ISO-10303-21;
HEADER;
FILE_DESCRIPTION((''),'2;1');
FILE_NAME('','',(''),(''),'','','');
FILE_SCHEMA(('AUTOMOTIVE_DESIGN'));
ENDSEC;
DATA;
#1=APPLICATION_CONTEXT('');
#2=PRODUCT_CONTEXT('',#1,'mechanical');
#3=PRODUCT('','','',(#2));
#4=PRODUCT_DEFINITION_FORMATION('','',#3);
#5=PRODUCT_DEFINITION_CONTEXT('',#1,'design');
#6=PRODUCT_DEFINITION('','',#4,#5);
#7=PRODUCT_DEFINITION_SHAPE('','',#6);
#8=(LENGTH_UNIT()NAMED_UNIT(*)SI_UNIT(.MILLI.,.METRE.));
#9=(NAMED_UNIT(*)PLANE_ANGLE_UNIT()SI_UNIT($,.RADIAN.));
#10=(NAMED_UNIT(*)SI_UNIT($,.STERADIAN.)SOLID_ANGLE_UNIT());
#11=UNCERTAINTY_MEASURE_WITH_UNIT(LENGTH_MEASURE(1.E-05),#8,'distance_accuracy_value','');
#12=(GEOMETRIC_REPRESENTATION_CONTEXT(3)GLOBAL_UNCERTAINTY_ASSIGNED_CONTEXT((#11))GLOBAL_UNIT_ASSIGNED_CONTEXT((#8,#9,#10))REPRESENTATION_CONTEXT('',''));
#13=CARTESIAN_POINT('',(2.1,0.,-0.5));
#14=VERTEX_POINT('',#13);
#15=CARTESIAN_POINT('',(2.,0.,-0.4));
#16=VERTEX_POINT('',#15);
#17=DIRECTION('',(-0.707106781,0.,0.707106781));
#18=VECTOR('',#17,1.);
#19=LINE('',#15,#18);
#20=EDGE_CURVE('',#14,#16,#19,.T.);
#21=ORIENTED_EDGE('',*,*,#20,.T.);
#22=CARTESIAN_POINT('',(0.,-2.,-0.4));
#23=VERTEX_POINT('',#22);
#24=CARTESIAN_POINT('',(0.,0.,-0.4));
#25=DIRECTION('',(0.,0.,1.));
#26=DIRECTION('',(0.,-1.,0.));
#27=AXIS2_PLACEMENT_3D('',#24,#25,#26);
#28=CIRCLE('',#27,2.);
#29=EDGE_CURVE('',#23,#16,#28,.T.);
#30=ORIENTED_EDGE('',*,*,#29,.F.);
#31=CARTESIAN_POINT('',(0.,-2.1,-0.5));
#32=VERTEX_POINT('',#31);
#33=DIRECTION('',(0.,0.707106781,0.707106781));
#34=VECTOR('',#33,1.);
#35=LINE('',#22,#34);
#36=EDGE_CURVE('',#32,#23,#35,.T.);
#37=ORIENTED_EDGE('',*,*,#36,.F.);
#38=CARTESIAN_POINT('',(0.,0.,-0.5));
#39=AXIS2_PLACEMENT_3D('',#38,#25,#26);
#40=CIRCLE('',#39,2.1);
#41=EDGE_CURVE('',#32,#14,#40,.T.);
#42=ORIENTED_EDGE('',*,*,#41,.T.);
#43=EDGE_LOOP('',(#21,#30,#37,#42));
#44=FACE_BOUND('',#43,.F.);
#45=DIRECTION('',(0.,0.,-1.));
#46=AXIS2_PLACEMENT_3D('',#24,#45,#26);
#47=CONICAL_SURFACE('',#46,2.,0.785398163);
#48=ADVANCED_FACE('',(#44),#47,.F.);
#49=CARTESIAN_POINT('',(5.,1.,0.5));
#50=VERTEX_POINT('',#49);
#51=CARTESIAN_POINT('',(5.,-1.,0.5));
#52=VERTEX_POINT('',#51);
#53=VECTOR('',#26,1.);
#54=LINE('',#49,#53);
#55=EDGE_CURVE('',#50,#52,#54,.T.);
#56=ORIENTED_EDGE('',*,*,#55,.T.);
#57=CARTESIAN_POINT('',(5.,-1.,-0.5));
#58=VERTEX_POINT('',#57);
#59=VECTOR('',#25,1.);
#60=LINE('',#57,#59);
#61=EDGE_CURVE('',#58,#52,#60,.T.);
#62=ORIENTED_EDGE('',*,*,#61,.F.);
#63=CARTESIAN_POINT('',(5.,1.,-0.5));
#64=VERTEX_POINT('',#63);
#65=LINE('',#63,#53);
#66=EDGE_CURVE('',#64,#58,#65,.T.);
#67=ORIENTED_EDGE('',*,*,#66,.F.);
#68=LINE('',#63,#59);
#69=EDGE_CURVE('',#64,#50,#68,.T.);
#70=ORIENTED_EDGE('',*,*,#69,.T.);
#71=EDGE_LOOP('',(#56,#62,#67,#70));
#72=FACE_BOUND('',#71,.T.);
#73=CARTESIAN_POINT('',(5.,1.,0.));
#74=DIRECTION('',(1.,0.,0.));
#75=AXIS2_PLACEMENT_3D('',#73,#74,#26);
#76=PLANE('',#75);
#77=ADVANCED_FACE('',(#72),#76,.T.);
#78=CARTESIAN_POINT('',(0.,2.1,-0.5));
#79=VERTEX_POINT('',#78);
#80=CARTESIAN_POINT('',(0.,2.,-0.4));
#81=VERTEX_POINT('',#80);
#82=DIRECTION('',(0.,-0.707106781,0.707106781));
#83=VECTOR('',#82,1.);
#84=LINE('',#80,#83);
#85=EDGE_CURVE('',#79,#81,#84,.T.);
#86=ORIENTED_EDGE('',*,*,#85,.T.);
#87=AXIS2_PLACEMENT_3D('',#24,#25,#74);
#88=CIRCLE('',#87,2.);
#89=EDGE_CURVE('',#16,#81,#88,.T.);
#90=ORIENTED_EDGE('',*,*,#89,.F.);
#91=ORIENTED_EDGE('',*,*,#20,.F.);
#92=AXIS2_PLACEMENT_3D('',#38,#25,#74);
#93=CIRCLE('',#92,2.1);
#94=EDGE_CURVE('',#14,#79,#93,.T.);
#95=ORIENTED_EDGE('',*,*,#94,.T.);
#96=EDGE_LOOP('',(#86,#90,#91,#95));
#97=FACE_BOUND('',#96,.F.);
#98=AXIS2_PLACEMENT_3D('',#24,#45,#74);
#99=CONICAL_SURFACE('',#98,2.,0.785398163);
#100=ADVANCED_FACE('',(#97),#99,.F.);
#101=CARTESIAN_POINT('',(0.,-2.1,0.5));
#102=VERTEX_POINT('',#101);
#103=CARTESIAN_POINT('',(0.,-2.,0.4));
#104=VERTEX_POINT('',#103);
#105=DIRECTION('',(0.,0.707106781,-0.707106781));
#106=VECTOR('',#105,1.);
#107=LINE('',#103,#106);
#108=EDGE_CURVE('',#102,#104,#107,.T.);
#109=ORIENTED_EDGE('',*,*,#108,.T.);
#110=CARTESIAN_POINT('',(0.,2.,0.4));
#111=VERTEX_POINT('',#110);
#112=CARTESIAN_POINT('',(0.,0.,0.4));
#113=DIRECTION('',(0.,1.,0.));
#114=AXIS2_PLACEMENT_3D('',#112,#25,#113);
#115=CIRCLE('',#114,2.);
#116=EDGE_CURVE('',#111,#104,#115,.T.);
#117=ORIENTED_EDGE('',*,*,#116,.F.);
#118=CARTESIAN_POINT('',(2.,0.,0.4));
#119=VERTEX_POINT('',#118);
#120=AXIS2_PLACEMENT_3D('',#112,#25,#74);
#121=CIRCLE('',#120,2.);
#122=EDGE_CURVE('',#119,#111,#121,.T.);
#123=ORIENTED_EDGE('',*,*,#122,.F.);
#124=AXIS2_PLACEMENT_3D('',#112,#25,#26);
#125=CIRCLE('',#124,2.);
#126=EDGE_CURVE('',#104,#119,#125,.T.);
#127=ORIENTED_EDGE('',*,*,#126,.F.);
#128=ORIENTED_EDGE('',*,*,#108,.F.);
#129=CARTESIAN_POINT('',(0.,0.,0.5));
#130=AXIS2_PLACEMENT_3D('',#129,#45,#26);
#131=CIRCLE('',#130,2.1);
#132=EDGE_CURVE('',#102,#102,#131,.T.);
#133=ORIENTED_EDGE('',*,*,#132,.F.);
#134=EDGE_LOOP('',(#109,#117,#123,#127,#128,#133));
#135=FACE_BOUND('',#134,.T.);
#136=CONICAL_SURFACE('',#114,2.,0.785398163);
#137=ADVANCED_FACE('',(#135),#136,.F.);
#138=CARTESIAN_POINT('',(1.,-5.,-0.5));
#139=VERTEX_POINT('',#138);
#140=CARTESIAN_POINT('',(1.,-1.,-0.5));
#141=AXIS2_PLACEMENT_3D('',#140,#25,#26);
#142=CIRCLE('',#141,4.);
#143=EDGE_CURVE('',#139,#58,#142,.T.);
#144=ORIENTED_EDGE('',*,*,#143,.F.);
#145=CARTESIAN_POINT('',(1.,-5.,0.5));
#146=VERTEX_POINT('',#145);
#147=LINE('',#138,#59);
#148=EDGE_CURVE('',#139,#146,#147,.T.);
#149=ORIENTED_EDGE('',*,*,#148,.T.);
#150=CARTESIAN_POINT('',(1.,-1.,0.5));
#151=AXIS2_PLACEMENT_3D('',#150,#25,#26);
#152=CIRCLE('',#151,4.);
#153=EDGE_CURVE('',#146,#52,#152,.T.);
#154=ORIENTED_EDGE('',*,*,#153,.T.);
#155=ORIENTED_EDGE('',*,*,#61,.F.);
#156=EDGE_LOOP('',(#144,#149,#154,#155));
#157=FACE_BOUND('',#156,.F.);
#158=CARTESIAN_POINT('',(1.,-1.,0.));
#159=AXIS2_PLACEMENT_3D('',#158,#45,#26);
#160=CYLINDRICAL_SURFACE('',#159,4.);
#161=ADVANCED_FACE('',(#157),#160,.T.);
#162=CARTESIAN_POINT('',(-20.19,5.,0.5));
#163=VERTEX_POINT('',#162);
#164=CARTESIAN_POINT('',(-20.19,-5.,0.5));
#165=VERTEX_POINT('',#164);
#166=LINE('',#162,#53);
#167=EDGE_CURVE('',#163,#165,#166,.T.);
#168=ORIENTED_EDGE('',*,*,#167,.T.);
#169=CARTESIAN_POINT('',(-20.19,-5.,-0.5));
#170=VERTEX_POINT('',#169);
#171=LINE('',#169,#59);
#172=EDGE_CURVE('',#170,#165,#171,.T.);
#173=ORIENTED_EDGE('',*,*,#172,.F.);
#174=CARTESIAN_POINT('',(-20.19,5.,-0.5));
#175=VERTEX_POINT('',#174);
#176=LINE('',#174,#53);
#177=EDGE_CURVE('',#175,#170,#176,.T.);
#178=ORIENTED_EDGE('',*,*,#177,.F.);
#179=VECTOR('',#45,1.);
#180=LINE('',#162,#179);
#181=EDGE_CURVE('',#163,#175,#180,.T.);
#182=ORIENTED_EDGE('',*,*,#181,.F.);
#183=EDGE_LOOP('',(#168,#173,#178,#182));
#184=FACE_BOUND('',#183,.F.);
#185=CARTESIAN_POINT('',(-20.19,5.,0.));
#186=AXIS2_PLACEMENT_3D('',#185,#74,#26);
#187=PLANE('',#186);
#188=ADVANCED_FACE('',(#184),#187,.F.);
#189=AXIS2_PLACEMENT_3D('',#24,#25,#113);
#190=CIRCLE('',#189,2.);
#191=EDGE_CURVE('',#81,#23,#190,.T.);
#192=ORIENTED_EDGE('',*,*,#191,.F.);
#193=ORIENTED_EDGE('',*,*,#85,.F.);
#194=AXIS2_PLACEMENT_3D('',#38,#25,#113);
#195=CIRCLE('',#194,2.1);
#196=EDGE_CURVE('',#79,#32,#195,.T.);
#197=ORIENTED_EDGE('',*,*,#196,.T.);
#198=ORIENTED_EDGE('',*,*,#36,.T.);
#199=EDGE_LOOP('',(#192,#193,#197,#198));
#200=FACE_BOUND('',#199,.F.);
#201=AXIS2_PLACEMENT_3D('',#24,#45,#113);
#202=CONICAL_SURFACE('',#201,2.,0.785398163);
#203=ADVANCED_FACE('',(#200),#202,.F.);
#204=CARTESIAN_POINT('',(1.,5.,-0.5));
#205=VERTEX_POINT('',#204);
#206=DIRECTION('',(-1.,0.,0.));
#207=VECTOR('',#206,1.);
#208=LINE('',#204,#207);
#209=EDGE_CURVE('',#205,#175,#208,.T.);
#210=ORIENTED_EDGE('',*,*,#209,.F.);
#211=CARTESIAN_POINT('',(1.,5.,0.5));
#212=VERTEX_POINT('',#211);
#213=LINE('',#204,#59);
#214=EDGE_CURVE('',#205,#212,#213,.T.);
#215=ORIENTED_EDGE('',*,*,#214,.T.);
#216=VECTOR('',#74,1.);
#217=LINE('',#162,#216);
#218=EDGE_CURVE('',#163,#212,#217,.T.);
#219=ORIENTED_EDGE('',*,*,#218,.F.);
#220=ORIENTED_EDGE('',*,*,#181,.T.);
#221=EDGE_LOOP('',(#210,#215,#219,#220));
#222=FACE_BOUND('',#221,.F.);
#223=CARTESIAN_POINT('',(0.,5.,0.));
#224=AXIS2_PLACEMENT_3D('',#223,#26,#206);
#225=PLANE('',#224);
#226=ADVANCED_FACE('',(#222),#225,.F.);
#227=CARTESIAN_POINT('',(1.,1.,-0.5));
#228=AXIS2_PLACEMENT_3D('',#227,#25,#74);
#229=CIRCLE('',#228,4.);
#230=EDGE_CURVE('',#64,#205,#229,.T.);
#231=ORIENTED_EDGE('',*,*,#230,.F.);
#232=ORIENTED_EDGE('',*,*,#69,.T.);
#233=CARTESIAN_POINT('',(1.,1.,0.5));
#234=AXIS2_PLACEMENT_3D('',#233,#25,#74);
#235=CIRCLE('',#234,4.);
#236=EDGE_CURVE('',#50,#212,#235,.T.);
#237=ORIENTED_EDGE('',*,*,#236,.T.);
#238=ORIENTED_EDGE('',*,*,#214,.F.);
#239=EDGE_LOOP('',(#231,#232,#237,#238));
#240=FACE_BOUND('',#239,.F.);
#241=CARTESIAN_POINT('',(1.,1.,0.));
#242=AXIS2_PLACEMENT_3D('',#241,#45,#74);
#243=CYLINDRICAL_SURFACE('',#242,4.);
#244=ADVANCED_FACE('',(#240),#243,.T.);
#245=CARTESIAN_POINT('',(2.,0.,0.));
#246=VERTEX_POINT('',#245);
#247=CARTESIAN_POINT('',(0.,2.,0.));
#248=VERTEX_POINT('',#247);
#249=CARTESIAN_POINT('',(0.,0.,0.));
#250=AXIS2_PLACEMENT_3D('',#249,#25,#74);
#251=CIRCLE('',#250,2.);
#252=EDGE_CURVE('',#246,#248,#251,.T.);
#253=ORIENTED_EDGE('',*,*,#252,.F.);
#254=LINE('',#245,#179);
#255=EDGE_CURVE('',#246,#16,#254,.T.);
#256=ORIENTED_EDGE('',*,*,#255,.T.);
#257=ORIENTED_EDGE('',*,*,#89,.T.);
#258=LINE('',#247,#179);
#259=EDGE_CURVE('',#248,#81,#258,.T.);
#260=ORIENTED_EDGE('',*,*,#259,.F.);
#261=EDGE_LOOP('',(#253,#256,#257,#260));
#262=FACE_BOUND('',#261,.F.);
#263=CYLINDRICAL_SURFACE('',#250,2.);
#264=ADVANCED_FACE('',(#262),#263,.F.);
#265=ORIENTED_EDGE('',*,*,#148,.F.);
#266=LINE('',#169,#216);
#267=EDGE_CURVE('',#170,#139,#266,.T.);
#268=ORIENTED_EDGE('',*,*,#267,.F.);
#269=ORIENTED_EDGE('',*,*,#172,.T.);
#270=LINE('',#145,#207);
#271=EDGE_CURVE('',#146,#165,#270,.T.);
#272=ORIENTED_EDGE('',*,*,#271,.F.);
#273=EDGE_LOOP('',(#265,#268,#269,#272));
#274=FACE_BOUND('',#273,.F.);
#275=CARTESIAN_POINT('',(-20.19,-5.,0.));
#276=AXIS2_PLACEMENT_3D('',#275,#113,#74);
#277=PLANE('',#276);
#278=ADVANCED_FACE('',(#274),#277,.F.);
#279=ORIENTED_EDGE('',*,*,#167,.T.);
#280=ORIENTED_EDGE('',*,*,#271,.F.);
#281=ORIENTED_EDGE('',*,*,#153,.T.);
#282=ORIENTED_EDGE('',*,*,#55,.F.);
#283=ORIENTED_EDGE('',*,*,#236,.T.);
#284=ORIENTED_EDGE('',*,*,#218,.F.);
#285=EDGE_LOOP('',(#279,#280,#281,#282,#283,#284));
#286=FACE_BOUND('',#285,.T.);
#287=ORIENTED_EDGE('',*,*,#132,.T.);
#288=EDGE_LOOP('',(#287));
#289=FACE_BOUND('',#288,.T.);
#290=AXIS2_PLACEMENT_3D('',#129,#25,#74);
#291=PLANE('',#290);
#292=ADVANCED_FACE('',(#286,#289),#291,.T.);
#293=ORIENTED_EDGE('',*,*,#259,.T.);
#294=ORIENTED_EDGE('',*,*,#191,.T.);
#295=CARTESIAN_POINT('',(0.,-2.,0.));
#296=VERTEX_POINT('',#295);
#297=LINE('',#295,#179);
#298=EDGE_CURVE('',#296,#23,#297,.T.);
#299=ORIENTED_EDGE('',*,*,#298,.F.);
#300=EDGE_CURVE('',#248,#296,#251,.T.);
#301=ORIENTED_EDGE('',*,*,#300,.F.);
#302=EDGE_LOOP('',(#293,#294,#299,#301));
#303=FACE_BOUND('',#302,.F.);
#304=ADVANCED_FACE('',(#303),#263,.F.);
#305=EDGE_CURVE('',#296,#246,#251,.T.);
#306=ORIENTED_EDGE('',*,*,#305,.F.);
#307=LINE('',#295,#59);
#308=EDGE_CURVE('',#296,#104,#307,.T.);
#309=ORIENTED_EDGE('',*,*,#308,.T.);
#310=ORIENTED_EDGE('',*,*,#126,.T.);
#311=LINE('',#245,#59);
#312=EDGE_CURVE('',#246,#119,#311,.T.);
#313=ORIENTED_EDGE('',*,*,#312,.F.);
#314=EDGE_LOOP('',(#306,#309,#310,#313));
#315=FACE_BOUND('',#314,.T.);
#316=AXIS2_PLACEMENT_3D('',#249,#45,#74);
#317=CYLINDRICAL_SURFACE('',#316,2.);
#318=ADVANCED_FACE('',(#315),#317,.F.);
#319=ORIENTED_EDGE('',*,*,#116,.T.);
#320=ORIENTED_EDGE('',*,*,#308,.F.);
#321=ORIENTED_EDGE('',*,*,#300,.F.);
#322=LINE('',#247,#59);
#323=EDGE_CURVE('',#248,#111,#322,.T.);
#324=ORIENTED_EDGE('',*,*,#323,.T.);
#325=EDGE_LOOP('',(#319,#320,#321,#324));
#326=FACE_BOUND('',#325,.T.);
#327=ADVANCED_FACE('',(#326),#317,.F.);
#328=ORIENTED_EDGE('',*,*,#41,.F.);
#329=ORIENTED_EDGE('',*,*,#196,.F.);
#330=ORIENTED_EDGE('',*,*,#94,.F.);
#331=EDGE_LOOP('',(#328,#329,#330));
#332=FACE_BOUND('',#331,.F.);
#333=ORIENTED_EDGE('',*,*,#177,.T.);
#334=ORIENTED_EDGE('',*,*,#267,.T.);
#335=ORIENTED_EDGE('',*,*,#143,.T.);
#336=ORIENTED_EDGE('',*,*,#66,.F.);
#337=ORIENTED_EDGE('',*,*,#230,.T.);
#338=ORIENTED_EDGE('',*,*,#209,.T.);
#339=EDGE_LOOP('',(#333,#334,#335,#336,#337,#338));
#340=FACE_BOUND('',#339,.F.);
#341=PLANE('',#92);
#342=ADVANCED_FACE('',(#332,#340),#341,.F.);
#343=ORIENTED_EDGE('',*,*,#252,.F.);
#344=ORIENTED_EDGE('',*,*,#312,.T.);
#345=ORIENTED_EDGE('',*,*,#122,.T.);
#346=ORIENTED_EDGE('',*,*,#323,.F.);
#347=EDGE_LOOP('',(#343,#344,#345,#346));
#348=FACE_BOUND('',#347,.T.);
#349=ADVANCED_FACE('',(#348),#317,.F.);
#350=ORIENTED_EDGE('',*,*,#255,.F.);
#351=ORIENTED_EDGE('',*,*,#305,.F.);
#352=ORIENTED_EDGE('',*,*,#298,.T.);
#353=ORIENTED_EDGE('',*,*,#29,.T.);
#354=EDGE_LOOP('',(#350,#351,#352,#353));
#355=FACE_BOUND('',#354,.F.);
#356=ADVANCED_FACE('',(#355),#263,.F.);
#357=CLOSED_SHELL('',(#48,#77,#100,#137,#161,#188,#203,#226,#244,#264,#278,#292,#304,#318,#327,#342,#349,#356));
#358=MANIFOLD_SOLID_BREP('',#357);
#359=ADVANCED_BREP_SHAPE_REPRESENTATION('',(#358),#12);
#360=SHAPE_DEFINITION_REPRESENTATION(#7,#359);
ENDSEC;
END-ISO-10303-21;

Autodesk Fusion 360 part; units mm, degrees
sketch "Sketch1" plane through (0, 0, 0) normal (0, 0, 1) x (1, 0, 0)
  line L0 (-20.19, -5) -> (0, -5)
  line L1 (0, -5) -> (0, 5)
  line L2 (0, 5) -> (-20.19, 5)
  line L3 (-20.19, 5) -> (-20.19, -5)
  line L4 (0, 5) -> (1, 5)
  line L5 (5, 1) -> (5, -1)
  line L6 (1, -5) -> (0, -5)
  line L7 (0, -5) -> (0, 5)
  arc A0 (1, -5) -> (5, -1) centre (1, -1) ccw
  arc A1 (5, 1) -> (1, 5) centre (1, 1) ccw
  circle A2 centre (0, 0) radius 2
  point P0 (5, 5)
  dimension "d1" = 20.19
  dimension "d2" = 10
  dimension "d3" = 5
  dimension "d5" = 4
  dimension "d6" = 4
  dimension "d7" = 4
extrude "Extrude1" add sketch "Sketch1" along normal mid plane 1 contours L0 L1 L2 L3 L7 A2 | L1 L4 L5 L6 L7 A0 A1 A2
chamfer "Chamfer1" distance 0.1 angle 45 2 edges at (-1.8647, 0.7232, 0.5) (-1.8647, -0.7232, -0.5)
